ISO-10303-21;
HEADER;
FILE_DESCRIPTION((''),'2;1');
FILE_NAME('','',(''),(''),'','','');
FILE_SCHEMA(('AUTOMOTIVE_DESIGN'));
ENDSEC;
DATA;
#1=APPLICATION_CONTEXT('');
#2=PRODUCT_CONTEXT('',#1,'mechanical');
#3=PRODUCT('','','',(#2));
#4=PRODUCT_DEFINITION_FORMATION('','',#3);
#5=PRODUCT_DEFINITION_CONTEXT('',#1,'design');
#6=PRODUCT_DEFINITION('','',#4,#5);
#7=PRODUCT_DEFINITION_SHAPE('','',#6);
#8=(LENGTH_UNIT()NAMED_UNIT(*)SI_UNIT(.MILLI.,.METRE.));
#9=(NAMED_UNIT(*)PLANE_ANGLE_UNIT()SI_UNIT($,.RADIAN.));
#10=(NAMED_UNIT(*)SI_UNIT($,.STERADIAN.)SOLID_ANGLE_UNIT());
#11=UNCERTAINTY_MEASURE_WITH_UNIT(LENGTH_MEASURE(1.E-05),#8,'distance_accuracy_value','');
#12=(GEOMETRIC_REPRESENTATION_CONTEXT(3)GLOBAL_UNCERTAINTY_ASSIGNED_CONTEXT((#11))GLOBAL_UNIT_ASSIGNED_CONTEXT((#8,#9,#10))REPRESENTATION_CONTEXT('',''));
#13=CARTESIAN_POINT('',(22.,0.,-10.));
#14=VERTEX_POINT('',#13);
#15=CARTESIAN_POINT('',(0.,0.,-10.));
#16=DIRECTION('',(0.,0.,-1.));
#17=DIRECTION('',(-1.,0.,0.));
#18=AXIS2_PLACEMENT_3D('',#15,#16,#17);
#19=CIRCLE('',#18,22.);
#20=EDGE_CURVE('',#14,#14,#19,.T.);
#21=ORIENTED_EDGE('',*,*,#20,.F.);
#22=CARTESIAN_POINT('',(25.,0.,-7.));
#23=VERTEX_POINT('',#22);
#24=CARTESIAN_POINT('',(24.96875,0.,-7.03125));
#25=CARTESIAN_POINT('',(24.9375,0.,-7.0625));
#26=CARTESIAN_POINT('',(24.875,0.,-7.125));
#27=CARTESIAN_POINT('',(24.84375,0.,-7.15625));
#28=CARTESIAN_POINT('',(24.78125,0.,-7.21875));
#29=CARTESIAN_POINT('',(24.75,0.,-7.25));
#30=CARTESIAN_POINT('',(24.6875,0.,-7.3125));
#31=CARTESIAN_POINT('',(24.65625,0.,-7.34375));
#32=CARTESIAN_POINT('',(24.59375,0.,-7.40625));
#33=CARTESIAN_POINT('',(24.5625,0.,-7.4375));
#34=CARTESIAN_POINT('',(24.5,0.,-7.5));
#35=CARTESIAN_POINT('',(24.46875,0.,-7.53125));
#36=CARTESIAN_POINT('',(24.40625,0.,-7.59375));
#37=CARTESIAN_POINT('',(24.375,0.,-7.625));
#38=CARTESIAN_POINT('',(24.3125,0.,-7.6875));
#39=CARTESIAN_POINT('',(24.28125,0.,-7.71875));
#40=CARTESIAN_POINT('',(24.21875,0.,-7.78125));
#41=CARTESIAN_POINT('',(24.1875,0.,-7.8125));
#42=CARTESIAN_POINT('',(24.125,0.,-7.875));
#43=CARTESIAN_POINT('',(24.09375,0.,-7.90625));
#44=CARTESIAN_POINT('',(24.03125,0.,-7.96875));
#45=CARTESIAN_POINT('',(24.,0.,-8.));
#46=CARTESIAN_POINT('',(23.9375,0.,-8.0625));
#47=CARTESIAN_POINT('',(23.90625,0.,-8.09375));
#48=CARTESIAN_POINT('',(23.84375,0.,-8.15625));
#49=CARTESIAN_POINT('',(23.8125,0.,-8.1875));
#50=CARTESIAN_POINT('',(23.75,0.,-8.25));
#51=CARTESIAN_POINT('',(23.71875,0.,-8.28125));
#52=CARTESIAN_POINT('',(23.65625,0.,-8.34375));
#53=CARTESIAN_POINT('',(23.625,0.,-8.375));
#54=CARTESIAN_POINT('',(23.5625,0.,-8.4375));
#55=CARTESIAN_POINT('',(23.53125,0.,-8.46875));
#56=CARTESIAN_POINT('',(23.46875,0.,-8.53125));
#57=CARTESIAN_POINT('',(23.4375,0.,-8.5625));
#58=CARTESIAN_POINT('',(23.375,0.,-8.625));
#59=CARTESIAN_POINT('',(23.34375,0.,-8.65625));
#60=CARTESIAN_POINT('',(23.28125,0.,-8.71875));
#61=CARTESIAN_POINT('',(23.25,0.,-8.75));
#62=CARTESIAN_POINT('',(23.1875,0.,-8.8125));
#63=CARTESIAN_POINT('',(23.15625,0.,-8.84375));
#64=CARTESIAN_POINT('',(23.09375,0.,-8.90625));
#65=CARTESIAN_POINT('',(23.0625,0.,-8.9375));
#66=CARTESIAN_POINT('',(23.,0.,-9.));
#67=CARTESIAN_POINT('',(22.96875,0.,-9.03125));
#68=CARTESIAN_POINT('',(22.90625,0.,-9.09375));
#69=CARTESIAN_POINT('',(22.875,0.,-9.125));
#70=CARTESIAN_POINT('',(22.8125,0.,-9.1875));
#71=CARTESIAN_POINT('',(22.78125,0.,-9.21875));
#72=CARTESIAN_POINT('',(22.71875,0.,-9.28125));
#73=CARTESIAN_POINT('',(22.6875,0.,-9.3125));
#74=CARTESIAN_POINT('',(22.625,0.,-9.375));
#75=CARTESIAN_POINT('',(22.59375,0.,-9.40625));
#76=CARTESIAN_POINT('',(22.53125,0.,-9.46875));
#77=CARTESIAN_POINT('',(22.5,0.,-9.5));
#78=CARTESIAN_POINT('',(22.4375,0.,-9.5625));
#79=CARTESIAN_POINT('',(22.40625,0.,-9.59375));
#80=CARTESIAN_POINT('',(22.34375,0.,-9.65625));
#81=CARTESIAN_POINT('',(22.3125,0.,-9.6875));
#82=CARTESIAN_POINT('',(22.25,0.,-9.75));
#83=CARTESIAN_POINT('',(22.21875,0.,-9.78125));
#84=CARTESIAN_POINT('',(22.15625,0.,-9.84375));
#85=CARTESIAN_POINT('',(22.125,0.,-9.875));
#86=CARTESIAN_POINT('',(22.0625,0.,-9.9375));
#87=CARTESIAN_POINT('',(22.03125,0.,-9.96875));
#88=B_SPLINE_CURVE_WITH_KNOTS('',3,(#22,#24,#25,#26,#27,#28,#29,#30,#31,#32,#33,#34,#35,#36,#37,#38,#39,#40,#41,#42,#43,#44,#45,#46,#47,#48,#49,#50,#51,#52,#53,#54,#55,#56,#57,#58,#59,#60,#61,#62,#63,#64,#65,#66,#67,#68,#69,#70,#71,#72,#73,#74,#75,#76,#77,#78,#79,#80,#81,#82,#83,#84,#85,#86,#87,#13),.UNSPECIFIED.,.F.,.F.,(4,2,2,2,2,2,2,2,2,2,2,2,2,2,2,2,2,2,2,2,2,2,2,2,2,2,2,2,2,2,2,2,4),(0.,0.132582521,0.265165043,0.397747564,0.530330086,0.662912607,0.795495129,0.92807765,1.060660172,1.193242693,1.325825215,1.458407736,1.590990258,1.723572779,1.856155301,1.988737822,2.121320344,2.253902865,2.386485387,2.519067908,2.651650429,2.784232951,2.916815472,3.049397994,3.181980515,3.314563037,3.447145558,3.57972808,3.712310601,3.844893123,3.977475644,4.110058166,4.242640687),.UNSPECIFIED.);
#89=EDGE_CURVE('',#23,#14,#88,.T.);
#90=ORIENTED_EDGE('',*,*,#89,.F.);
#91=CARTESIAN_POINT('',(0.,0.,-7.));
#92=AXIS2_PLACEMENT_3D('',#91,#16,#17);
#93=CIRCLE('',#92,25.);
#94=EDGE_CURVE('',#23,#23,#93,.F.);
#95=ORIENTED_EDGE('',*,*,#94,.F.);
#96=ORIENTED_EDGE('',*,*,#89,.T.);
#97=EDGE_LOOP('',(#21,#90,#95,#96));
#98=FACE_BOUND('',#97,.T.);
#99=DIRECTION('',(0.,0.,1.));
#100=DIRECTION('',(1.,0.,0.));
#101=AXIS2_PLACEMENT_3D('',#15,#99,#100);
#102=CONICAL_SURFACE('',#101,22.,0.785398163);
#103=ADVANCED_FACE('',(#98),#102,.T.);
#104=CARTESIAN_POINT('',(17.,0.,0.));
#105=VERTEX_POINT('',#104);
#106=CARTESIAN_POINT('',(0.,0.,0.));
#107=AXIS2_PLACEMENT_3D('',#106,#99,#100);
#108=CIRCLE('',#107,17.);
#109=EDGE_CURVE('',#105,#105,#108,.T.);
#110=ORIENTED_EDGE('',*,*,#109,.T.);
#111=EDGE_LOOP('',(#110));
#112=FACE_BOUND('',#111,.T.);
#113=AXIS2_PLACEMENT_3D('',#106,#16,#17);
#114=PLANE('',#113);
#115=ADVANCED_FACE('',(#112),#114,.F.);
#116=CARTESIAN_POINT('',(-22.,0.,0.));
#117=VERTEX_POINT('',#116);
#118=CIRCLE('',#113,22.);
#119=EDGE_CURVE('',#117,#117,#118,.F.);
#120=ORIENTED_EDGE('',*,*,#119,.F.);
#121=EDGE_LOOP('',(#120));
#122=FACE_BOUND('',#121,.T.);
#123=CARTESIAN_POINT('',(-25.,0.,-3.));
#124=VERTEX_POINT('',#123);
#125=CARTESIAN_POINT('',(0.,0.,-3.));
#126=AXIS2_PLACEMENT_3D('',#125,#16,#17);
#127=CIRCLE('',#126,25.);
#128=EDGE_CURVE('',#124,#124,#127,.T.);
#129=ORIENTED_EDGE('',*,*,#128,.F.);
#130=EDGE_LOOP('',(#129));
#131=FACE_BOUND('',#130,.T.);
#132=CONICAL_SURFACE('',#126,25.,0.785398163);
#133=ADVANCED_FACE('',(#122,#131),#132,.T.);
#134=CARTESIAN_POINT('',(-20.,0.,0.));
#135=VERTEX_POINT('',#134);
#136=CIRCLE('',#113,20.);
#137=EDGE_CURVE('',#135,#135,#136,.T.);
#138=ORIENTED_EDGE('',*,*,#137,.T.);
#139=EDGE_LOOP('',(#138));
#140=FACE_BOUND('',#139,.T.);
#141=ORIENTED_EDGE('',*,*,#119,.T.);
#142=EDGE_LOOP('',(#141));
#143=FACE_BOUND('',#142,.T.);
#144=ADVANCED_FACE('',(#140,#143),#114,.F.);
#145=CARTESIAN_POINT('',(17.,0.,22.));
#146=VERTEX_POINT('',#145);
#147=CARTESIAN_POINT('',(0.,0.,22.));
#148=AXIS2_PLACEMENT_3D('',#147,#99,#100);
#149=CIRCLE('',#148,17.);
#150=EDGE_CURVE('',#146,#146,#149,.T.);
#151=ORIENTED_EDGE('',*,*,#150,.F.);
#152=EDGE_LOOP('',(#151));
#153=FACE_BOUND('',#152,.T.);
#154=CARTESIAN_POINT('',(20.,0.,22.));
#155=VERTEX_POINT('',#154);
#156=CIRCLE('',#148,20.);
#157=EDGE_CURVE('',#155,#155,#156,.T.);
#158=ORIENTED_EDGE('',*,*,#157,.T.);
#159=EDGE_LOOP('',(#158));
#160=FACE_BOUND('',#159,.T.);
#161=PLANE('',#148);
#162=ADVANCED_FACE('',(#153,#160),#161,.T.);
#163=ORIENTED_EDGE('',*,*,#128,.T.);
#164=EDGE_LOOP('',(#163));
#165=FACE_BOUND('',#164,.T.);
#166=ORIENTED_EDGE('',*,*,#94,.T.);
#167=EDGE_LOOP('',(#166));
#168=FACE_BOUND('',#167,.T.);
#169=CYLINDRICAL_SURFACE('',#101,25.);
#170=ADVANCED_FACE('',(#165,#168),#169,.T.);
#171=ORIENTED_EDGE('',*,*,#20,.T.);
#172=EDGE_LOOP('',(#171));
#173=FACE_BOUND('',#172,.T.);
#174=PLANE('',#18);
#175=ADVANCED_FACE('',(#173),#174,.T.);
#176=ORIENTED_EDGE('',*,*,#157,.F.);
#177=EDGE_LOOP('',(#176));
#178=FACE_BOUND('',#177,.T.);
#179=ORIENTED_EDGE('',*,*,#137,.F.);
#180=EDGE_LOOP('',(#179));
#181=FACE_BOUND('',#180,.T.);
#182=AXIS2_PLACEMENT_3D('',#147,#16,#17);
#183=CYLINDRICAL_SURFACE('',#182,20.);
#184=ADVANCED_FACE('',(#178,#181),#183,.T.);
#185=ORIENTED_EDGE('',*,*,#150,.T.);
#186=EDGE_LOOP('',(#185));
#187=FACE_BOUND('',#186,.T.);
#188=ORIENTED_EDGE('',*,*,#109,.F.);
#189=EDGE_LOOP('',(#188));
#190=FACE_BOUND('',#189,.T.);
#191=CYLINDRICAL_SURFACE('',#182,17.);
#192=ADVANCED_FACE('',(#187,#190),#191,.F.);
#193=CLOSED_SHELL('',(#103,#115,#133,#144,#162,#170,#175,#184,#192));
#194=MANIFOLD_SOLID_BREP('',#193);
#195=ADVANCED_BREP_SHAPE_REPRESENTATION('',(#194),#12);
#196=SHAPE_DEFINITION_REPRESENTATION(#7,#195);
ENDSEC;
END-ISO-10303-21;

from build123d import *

# Parameters (mm, degrees)
SKETCH_1_R      = 20
SKETCH_1_R_2    = 17
EXTRUDE_1_DEPTH = 22
SKETCH_2_R      = 25
EXTRUDE_2_DEPTH = 10
CHAMFER_1_SIZE  = 3


with BuildPart() as part:
    # 草图1 → 凸台-拉伸1 (new body)
    with BuildSketch(Plane.XY):
        Circle(SKETCH_1_R)
        Circle(SKETCH_1_R_2, mode=Mode.SUBTRACT)
    extrude(amount=EXTRUDE_1_DEPTH)

    # 草图2 → 凸台-拉伸2 (add)
    with BuildSketch(Plane(origin=(0, 0, 0), x_dir=(-1, 0, 0), z_dir=(0, 0, -1))):
        Circle(SKETCH_2_R)
    extrude(amount=EXTRUDE_2_DEPTH)

    # 倒角1
    chamfer_1_edges = [part.edges().sort_by_distance(p)[0] for p in [
        (25, 0, 0),
        (25, 0, -10),
    ]]
    chamfer(chamfer_1_edges, length=CHAMFER_1_SIZE)


solid = part.part
